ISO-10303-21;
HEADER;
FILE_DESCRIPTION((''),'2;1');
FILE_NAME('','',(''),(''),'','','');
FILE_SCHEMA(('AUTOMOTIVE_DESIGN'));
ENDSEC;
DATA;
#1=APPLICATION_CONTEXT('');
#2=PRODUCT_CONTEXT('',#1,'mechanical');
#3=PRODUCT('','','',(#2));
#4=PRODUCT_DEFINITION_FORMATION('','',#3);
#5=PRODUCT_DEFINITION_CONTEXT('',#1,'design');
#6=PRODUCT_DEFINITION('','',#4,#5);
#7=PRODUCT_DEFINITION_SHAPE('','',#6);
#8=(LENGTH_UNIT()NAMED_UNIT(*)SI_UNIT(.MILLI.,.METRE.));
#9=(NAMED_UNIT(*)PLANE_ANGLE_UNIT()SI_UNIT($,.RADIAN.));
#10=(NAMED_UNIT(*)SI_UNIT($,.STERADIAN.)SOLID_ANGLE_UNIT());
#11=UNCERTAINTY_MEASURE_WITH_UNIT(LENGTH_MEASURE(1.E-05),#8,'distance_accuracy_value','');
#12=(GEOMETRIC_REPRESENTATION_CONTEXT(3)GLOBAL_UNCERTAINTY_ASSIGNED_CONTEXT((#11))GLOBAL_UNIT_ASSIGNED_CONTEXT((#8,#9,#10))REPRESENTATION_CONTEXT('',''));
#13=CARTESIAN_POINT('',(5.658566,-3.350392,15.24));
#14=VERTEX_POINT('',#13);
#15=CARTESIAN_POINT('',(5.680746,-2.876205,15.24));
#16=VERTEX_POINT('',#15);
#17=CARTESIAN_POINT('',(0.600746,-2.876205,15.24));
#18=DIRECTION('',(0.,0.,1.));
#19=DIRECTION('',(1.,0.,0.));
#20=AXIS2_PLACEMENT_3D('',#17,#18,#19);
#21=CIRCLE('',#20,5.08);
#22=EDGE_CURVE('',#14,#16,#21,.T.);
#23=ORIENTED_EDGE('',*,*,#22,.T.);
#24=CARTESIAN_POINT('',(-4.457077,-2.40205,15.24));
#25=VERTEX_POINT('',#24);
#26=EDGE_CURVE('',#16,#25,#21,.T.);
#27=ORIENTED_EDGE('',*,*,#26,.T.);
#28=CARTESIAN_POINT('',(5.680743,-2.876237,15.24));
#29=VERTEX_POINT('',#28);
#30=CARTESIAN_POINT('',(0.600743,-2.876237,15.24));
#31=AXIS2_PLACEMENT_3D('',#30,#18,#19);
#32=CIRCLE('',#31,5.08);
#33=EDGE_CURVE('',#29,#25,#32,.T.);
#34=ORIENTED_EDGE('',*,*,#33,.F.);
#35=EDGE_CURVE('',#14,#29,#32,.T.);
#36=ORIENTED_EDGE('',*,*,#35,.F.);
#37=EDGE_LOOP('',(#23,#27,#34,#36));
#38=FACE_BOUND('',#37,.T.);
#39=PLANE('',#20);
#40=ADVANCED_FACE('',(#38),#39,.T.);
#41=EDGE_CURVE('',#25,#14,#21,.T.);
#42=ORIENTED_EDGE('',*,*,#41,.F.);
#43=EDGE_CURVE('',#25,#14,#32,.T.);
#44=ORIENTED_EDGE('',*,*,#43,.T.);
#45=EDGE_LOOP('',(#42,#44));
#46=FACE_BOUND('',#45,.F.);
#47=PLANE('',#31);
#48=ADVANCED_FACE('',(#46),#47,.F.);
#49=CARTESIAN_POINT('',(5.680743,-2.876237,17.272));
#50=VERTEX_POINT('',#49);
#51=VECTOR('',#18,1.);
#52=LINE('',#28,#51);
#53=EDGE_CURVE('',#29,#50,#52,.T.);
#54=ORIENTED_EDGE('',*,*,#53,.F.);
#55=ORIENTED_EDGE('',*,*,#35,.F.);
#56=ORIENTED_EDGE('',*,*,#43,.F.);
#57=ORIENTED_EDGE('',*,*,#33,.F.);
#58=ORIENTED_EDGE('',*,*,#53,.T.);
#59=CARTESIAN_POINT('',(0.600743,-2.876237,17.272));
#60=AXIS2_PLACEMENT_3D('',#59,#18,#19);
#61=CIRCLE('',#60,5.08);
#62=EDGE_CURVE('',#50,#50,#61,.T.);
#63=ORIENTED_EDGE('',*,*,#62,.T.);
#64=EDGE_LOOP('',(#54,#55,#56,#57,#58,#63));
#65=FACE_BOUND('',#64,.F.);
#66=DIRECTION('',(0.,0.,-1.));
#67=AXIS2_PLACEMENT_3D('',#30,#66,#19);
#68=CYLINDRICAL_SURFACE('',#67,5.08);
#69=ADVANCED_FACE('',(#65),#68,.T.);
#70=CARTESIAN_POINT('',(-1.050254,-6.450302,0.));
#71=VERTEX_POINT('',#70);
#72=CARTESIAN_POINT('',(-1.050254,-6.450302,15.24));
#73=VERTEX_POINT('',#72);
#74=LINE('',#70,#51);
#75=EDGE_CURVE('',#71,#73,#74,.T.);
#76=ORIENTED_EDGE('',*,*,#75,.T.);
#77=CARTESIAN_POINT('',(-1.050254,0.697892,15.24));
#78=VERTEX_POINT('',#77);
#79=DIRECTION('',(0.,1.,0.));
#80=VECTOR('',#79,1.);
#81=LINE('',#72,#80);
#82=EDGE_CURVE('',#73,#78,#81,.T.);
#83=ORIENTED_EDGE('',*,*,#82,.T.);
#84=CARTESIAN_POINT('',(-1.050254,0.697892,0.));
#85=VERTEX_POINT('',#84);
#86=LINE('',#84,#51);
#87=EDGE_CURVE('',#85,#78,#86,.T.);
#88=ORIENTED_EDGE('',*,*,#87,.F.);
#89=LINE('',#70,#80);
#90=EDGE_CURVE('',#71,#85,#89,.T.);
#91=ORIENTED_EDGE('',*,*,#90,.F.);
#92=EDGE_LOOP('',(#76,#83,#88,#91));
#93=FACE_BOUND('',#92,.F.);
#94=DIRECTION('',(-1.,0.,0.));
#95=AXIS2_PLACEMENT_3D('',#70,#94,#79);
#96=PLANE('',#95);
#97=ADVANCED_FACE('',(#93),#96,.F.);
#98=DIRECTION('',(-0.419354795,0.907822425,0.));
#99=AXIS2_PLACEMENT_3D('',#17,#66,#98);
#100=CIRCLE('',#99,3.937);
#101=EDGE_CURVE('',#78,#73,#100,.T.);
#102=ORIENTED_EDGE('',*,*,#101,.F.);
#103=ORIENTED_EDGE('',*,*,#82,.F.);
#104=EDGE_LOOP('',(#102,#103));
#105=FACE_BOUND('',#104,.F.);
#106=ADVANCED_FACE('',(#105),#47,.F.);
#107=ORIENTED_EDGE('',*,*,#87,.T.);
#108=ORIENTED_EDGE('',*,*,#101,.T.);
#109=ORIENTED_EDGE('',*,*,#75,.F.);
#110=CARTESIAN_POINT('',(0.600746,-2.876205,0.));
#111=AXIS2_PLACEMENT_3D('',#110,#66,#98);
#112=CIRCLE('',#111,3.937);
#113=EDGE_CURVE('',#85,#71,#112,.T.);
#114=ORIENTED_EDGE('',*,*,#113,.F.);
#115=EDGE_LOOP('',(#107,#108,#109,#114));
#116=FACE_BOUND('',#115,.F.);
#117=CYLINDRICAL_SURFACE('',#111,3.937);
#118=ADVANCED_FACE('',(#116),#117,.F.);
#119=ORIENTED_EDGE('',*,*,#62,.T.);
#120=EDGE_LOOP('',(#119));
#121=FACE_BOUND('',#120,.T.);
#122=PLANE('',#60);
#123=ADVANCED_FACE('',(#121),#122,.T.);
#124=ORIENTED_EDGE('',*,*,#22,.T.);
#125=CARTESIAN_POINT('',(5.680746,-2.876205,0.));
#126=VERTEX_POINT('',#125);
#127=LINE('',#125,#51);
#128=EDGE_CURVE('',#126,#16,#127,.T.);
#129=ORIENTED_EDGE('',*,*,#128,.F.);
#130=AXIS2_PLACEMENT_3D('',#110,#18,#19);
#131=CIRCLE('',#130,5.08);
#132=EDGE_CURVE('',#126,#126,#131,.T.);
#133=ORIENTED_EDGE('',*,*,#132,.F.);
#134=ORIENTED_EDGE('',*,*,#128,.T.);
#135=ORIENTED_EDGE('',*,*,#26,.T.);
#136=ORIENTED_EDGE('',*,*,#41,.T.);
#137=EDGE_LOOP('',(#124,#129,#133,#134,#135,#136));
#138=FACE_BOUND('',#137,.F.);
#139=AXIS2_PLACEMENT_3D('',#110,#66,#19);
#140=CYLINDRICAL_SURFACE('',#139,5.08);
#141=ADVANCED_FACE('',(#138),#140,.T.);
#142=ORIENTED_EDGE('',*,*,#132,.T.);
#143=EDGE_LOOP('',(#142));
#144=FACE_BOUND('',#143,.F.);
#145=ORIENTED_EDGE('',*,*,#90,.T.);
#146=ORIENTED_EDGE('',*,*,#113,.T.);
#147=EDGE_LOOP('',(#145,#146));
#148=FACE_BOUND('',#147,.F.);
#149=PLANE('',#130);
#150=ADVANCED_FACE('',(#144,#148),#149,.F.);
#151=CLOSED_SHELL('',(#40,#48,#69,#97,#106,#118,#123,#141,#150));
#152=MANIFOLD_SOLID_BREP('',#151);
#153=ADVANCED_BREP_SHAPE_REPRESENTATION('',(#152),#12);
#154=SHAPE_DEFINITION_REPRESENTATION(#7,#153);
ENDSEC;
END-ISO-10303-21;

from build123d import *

# Parameters (mm, degrees)
F0_R     = 5.08
F1_DEPTH = 15.24
F3_R     = 5.08
F4_DEPTH = 2.032


with BuildPart() as f1:
    # F0 (on Top) → F1 (new body)
    with BuildSketch(Plane.XY):
        with Locations((0.600746, -2.876205)):
            Circle(F0_R)
        with BuildLine():
            Line((-1.050254, -6.450302), (-1.050254, -2.876205))
            Line((-1.050254, -2.876205), (-1.050254, 0.697892))
            ThreePointArc((-1.050254, 0.697892), (4.537746, -2.876205), (-1.050254, -6.450302))
        make_face(mode=Mode.SUBTRACT)
    extrude(amount=F1_DEPTH)

    # F3 (on offset) → F4 (join)
    with BuildSketch(Plane.XY.offset(15.24)):
        with Locations((0.600743, -2.876237)):
            Circle(F3_R)
    extrude(amount=F4_DEPTH)


solid = f1.part
